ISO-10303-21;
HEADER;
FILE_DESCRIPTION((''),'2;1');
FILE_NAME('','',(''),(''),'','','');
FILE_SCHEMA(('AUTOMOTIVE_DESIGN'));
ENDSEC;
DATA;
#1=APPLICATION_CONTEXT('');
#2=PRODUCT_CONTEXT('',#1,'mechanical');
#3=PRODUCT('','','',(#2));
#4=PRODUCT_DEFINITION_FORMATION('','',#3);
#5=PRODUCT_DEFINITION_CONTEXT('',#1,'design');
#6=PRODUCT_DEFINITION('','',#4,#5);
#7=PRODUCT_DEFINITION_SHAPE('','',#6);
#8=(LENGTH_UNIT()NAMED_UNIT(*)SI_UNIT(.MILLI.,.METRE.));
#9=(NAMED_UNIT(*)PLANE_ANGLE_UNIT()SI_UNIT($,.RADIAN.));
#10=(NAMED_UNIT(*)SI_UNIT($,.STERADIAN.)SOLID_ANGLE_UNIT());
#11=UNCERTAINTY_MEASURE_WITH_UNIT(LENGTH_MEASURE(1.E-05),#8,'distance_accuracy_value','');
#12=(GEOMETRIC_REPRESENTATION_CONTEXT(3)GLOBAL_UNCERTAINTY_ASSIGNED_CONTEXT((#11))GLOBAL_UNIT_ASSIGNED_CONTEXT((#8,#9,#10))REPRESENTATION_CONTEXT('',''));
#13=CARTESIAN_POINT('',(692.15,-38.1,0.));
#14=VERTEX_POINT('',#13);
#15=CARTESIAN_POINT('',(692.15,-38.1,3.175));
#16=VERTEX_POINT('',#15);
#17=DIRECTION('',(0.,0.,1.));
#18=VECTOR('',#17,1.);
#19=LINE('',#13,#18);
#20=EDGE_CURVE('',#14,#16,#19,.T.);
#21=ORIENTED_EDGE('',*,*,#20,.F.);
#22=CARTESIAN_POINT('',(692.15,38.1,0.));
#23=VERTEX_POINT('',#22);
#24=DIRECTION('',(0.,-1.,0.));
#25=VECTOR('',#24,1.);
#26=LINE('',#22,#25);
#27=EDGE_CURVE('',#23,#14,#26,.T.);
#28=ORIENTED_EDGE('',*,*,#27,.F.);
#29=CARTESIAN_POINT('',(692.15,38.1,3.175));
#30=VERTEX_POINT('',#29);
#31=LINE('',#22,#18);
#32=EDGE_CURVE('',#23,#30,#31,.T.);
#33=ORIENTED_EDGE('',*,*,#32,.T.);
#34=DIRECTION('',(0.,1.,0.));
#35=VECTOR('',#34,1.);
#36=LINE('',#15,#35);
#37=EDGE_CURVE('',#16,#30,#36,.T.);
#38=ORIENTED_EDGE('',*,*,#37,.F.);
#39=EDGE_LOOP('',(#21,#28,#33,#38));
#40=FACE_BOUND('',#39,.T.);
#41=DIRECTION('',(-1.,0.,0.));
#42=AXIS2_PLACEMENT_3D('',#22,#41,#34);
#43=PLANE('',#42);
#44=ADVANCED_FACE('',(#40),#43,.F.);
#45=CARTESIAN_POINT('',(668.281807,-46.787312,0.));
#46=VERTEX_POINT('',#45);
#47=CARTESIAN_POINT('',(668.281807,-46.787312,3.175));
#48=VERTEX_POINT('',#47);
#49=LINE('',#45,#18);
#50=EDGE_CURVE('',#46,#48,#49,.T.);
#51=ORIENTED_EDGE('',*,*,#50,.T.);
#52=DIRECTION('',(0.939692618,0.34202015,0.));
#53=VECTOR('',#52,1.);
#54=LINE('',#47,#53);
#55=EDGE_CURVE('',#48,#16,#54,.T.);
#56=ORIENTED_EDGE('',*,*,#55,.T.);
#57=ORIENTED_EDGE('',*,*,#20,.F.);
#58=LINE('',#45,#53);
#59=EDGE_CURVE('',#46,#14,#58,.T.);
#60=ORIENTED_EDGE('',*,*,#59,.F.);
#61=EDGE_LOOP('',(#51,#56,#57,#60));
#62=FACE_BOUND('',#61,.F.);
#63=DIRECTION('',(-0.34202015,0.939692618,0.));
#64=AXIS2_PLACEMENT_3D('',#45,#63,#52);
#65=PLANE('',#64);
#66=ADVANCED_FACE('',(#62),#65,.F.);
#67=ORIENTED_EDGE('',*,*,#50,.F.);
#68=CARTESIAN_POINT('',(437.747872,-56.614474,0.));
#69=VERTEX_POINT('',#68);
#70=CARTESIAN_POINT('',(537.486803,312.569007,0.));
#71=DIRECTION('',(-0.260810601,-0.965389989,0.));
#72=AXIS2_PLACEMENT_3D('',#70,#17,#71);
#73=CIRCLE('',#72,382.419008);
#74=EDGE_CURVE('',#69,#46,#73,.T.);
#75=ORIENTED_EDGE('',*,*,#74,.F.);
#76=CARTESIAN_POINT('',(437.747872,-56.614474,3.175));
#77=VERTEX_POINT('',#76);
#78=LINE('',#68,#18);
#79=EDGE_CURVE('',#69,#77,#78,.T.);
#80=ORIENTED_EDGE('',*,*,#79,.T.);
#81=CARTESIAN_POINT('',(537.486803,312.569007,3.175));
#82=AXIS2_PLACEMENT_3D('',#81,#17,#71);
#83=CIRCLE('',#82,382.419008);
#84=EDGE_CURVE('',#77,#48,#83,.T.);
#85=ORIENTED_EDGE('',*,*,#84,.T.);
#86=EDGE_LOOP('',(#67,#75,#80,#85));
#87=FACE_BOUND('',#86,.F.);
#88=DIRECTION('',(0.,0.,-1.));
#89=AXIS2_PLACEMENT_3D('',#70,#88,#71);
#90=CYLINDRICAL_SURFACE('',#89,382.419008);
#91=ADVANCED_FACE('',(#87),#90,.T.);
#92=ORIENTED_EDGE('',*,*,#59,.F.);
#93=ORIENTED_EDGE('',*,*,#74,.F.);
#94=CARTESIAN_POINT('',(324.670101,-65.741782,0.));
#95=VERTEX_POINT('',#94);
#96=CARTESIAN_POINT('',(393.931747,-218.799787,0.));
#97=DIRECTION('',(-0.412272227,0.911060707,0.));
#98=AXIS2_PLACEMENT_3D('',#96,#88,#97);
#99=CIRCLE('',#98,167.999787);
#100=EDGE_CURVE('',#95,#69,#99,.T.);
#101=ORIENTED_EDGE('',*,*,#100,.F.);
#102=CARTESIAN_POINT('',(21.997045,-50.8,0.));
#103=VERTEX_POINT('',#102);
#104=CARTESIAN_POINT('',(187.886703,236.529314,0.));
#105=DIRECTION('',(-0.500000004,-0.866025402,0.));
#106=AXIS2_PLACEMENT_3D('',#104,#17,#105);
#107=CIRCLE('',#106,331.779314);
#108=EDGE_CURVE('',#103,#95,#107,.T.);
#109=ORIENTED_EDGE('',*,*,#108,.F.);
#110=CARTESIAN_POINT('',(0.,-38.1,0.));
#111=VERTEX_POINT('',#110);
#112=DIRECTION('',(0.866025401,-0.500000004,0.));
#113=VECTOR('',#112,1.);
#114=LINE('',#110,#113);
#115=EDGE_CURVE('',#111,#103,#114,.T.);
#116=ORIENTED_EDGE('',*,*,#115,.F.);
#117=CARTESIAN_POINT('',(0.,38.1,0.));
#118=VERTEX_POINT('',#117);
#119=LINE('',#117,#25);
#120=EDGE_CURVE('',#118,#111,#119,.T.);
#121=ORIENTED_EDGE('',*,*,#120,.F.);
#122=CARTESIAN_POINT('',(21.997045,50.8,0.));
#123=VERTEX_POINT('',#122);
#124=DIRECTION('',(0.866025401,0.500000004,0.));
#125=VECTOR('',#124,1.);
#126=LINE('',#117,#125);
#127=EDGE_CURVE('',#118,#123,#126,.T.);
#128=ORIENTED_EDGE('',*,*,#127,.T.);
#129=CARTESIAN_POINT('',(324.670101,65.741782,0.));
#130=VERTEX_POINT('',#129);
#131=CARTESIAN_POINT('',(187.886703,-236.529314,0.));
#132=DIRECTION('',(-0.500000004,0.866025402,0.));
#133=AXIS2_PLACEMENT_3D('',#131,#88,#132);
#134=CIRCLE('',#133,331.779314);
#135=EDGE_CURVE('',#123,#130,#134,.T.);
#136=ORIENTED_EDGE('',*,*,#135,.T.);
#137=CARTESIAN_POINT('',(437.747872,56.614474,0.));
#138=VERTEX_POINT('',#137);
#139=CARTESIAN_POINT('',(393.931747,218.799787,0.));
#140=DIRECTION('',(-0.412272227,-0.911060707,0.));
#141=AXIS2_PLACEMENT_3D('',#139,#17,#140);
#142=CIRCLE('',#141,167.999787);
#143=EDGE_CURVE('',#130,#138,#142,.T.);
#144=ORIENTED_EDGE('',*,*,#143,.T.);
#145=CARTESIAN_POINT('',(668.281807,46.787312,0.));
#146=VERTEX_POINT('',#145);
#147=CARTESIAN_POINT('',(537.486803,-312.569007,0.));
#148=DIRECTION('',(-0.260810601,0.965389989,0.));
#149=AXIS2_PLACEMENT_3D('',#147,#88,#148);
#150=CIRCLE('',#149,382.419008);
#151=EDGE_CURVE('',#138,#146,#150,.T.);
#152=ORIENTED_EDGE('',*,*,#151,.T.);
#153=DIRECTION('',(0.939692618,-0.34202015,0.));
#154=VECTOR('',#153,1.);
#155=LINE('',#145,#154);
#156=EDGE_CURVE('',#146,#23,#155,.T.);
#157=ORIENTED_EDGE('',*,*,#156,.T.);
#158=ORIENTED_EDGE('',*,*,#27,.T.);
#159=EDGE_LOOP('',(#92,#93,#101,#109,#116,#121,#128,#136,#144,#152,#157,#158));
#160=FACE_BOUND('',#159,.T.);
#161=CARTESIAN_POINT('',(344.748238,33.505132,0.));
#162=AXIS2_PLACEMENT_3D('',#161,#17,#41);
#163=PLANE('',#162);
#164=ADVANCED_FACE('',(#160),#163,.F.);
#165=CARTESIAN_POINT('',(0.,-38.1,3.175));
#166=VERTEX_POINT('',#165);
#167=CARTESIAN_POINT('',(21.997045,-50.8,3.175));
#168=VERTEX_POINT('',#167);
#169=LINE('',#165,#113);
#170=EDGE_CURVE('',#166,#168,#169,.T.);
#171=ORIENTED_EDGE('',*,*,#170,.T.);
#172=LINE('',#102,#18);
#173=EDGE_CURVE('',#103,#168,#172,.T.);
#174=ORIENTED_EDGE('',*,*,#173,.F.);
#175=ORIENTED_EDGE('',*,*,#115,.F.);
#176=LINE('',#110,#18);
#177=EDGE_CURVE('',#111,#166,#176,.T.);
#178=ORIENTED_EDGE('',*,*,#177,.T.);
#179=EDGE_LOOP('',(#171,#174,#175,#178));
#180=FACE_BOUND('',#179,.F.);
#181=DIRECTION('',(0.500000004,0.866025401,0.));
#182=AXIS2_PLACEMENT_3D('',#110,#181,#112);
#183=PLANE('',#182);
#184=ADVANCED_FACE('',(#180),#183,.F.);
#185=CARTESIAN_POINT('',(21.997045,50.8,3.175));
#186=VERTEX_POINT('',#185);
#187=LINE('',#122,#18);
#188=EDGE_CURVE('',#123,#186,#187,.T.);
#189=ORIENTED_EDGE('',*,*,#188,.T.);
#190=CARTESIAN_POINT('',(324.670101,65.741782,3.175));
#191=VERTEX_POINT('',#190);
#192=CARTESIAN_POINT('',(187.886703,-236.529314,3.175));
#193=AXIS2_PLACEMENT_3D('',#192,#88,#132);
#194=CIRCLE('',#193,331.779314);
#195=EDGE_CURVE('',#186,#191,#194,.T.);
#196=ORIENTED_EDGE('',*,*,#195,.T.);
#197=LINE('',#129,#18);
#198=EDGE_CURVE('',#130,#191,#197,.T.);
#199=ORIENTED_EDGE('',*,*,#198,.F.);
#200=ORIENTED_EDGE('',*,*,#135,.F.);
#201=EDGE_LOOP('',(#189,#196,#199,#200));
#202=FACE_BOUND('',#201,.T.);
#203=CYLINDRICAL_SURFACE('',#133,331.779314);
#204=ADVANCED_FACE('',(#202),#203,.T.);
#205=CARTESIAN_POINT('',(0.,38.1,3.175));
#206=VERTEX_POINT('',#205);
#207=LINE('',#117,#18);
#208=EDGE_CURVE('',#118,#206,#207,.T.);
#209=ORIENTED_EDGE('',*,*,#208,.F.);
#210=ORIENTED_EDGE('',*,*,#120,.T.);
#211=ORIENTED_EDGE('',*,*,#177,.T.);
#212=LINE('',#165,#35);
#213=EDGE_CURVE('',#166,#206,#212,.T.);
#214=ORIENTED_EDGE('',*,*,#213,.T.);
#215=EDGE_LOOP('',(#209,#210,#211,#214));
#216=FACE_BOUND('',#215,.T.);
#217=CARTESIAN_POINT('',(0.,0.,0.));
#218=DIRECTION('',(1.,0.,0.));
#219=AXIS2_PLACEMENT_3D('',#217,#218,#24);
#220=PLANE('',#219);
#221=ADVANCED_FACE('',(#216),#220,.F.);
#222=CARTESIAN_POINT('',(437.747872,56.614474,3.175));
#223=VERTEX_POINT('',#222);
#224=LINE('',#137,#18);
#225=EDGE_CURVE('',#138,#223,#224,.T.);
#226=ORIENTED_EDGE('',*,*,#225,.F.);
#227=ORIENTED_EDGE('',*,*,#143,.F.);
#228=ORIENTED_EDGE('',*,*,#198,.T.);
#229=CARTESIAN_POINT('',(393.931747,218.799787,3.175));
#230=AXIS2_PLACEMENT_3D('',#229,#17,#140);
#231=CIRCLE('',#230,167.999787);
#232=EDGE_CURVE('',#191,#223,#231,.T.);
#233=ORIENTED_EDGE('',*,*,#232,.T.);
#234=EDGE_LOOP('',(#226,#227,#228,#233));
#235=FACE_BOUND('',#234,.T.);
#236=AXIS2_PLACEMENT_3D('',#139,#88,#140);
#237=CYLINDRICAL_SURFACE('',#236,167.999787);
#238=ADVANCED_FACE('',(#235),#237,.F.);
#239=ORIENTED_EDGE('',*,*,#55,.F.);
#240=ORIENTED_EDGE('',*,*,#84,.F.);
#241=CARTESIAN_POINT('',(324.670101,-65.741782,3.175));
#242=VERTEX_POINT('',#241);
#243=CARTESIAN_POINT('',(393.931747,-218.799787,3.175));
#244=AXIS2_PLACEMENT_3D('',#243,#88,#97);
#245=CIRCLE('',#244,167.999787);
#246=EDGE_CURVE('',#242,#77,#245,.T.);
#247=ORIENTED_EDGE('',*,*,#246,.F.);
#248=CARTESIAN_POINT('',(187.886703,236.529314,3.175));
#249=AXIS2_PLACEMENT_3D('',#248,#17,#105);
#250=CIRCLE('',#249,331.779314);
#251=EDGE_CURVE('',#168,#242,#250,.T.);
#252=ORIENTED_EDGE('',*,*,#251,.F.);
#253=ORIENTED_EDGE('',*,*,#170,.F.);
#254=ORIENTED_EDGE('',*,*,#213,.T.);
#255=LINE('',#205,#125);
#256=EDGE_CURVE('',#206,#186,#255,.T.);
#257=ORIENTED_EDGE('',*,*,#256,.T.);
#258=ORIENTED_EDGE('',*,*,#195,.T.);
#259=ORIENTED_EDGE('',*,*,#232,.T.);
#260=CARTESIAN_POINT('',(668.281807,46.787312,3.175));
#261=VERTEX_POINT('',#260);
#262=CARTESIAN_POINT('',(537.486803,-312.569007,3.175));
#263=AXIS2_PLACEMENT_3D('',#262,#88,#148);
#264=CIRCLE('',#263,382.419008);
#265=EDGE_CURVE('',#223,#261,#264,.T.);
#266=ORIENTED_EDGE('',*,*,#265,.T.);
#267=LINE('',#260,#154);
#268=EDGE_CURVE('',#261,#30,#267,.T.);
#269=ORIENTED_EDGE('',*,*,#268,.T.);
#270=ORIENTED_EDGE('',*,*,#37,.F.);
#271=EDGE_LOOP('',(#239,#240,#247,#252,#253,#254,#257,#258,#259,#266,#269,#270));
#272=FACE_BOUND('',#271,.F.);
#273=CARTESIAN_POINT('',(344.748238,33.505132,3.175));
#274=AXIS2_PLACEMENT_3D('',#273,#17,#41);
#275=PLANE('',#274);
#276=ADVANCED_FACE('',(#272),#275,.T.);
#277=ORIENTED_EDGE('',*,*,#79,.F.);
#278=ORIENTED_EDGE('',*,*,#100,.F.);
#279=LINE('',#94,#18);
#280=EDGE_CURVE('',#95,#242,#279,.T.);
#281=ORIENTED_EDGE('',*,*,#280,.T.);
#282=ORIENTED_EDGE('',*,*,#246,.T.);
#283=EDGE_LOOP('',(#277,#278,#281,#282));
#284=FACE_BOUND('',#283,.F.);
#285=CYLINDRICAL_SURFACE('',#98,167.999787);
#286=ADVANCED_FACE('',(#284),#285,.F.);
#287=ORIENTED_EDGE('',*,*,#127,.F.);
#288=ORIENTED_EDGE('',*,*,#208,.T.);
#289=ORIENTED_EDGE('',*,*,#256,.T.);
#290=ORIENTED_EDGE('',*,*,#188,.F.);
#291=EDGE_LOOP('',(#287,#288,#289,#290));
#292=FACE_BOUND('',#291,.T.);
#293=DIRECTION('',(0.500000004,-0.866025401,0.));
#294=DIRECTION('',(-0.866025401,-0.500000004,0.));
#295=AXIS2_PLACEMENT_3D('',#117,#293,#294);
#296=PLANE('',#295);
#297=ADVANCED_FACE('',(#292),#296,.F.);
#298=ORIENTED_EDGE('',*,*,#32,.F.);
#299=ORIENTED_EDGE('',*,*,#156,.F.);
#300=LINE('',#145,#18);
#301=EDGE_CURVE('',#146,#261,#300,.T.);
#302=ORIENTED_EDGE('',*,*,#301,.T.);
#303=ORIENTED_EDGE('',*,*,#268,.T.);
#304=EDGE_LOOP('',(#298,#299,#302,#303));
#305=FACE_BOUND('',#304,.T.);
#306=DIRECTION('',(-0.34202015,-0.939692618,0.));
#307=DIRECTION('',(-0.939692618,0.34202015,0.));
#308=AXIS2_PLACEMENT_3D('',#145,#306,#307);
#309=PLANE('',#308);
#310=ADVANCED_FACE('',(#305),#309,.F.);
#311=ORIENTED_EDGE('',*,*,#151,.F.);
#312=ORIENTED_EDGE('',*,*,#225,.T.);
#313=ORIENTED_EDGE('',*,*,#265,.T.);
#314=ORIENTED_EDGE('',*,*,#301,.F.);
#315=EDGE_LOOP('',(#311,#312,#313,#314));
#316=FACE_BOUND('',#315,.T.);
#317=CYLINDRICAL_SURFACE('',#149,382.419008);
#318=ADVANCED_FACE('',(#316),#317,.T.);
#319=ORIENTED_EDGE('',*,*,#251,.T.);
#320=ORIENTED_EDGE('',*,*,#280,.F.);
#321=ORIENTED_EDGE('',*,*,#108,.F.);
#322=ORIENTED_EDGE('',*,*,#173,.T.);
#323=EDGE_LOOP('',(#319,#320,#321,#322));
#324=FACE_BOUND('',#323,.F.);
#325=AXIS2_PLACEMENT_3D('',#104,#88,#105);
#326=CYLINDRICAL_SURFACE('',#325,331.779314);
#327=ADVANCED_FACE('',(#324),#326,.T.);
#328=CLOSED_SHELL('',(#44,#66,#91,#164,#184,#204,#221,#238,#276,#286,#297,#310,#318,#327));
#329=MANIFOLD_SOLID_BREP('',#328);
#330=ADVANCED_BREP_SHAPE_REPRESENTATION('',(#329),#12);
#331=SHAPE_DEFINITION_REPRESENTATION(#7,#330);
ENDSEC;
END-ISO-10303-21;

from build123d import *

# Parameters (mm, degrees)
F1_DEPTH = 3.175


with BuildPart() as f1:
    # F0 (on Top) → F1 (new body)
    with BuildSketch(Plane.XY):
        with BuildLine():
            Line((692.15, 0), (0, 0))
            Line((0, 0), (0, -38.1))
            Line((0, -38.1), (21.997045, -50.8))
            ThreePointArc((21.997045, -50.8), (171.52798, -94.846463), (324.670101, -65.741782))
            ThreePointArc((324.670101, -65.741782), (380.415254, -51.34462), (437.747872, -56.614474))
            ThreePointArc((437.747872, -56.614474), (553.773706, -69.50302), (668.281807, -46.787312))
            Line((668.281807, -46.787312), (692.15, -38.1))
            Line((692.15, -38.1), (692.15, 0))
        make_face()
    extrude(amount=F1_DEPTH)

    # F2: F1 across plane


with BuildPart() as f1_1:
    add(f1.part)
    add(f1.part.mirror(Plane.XZ))


solid = f1_1.part
